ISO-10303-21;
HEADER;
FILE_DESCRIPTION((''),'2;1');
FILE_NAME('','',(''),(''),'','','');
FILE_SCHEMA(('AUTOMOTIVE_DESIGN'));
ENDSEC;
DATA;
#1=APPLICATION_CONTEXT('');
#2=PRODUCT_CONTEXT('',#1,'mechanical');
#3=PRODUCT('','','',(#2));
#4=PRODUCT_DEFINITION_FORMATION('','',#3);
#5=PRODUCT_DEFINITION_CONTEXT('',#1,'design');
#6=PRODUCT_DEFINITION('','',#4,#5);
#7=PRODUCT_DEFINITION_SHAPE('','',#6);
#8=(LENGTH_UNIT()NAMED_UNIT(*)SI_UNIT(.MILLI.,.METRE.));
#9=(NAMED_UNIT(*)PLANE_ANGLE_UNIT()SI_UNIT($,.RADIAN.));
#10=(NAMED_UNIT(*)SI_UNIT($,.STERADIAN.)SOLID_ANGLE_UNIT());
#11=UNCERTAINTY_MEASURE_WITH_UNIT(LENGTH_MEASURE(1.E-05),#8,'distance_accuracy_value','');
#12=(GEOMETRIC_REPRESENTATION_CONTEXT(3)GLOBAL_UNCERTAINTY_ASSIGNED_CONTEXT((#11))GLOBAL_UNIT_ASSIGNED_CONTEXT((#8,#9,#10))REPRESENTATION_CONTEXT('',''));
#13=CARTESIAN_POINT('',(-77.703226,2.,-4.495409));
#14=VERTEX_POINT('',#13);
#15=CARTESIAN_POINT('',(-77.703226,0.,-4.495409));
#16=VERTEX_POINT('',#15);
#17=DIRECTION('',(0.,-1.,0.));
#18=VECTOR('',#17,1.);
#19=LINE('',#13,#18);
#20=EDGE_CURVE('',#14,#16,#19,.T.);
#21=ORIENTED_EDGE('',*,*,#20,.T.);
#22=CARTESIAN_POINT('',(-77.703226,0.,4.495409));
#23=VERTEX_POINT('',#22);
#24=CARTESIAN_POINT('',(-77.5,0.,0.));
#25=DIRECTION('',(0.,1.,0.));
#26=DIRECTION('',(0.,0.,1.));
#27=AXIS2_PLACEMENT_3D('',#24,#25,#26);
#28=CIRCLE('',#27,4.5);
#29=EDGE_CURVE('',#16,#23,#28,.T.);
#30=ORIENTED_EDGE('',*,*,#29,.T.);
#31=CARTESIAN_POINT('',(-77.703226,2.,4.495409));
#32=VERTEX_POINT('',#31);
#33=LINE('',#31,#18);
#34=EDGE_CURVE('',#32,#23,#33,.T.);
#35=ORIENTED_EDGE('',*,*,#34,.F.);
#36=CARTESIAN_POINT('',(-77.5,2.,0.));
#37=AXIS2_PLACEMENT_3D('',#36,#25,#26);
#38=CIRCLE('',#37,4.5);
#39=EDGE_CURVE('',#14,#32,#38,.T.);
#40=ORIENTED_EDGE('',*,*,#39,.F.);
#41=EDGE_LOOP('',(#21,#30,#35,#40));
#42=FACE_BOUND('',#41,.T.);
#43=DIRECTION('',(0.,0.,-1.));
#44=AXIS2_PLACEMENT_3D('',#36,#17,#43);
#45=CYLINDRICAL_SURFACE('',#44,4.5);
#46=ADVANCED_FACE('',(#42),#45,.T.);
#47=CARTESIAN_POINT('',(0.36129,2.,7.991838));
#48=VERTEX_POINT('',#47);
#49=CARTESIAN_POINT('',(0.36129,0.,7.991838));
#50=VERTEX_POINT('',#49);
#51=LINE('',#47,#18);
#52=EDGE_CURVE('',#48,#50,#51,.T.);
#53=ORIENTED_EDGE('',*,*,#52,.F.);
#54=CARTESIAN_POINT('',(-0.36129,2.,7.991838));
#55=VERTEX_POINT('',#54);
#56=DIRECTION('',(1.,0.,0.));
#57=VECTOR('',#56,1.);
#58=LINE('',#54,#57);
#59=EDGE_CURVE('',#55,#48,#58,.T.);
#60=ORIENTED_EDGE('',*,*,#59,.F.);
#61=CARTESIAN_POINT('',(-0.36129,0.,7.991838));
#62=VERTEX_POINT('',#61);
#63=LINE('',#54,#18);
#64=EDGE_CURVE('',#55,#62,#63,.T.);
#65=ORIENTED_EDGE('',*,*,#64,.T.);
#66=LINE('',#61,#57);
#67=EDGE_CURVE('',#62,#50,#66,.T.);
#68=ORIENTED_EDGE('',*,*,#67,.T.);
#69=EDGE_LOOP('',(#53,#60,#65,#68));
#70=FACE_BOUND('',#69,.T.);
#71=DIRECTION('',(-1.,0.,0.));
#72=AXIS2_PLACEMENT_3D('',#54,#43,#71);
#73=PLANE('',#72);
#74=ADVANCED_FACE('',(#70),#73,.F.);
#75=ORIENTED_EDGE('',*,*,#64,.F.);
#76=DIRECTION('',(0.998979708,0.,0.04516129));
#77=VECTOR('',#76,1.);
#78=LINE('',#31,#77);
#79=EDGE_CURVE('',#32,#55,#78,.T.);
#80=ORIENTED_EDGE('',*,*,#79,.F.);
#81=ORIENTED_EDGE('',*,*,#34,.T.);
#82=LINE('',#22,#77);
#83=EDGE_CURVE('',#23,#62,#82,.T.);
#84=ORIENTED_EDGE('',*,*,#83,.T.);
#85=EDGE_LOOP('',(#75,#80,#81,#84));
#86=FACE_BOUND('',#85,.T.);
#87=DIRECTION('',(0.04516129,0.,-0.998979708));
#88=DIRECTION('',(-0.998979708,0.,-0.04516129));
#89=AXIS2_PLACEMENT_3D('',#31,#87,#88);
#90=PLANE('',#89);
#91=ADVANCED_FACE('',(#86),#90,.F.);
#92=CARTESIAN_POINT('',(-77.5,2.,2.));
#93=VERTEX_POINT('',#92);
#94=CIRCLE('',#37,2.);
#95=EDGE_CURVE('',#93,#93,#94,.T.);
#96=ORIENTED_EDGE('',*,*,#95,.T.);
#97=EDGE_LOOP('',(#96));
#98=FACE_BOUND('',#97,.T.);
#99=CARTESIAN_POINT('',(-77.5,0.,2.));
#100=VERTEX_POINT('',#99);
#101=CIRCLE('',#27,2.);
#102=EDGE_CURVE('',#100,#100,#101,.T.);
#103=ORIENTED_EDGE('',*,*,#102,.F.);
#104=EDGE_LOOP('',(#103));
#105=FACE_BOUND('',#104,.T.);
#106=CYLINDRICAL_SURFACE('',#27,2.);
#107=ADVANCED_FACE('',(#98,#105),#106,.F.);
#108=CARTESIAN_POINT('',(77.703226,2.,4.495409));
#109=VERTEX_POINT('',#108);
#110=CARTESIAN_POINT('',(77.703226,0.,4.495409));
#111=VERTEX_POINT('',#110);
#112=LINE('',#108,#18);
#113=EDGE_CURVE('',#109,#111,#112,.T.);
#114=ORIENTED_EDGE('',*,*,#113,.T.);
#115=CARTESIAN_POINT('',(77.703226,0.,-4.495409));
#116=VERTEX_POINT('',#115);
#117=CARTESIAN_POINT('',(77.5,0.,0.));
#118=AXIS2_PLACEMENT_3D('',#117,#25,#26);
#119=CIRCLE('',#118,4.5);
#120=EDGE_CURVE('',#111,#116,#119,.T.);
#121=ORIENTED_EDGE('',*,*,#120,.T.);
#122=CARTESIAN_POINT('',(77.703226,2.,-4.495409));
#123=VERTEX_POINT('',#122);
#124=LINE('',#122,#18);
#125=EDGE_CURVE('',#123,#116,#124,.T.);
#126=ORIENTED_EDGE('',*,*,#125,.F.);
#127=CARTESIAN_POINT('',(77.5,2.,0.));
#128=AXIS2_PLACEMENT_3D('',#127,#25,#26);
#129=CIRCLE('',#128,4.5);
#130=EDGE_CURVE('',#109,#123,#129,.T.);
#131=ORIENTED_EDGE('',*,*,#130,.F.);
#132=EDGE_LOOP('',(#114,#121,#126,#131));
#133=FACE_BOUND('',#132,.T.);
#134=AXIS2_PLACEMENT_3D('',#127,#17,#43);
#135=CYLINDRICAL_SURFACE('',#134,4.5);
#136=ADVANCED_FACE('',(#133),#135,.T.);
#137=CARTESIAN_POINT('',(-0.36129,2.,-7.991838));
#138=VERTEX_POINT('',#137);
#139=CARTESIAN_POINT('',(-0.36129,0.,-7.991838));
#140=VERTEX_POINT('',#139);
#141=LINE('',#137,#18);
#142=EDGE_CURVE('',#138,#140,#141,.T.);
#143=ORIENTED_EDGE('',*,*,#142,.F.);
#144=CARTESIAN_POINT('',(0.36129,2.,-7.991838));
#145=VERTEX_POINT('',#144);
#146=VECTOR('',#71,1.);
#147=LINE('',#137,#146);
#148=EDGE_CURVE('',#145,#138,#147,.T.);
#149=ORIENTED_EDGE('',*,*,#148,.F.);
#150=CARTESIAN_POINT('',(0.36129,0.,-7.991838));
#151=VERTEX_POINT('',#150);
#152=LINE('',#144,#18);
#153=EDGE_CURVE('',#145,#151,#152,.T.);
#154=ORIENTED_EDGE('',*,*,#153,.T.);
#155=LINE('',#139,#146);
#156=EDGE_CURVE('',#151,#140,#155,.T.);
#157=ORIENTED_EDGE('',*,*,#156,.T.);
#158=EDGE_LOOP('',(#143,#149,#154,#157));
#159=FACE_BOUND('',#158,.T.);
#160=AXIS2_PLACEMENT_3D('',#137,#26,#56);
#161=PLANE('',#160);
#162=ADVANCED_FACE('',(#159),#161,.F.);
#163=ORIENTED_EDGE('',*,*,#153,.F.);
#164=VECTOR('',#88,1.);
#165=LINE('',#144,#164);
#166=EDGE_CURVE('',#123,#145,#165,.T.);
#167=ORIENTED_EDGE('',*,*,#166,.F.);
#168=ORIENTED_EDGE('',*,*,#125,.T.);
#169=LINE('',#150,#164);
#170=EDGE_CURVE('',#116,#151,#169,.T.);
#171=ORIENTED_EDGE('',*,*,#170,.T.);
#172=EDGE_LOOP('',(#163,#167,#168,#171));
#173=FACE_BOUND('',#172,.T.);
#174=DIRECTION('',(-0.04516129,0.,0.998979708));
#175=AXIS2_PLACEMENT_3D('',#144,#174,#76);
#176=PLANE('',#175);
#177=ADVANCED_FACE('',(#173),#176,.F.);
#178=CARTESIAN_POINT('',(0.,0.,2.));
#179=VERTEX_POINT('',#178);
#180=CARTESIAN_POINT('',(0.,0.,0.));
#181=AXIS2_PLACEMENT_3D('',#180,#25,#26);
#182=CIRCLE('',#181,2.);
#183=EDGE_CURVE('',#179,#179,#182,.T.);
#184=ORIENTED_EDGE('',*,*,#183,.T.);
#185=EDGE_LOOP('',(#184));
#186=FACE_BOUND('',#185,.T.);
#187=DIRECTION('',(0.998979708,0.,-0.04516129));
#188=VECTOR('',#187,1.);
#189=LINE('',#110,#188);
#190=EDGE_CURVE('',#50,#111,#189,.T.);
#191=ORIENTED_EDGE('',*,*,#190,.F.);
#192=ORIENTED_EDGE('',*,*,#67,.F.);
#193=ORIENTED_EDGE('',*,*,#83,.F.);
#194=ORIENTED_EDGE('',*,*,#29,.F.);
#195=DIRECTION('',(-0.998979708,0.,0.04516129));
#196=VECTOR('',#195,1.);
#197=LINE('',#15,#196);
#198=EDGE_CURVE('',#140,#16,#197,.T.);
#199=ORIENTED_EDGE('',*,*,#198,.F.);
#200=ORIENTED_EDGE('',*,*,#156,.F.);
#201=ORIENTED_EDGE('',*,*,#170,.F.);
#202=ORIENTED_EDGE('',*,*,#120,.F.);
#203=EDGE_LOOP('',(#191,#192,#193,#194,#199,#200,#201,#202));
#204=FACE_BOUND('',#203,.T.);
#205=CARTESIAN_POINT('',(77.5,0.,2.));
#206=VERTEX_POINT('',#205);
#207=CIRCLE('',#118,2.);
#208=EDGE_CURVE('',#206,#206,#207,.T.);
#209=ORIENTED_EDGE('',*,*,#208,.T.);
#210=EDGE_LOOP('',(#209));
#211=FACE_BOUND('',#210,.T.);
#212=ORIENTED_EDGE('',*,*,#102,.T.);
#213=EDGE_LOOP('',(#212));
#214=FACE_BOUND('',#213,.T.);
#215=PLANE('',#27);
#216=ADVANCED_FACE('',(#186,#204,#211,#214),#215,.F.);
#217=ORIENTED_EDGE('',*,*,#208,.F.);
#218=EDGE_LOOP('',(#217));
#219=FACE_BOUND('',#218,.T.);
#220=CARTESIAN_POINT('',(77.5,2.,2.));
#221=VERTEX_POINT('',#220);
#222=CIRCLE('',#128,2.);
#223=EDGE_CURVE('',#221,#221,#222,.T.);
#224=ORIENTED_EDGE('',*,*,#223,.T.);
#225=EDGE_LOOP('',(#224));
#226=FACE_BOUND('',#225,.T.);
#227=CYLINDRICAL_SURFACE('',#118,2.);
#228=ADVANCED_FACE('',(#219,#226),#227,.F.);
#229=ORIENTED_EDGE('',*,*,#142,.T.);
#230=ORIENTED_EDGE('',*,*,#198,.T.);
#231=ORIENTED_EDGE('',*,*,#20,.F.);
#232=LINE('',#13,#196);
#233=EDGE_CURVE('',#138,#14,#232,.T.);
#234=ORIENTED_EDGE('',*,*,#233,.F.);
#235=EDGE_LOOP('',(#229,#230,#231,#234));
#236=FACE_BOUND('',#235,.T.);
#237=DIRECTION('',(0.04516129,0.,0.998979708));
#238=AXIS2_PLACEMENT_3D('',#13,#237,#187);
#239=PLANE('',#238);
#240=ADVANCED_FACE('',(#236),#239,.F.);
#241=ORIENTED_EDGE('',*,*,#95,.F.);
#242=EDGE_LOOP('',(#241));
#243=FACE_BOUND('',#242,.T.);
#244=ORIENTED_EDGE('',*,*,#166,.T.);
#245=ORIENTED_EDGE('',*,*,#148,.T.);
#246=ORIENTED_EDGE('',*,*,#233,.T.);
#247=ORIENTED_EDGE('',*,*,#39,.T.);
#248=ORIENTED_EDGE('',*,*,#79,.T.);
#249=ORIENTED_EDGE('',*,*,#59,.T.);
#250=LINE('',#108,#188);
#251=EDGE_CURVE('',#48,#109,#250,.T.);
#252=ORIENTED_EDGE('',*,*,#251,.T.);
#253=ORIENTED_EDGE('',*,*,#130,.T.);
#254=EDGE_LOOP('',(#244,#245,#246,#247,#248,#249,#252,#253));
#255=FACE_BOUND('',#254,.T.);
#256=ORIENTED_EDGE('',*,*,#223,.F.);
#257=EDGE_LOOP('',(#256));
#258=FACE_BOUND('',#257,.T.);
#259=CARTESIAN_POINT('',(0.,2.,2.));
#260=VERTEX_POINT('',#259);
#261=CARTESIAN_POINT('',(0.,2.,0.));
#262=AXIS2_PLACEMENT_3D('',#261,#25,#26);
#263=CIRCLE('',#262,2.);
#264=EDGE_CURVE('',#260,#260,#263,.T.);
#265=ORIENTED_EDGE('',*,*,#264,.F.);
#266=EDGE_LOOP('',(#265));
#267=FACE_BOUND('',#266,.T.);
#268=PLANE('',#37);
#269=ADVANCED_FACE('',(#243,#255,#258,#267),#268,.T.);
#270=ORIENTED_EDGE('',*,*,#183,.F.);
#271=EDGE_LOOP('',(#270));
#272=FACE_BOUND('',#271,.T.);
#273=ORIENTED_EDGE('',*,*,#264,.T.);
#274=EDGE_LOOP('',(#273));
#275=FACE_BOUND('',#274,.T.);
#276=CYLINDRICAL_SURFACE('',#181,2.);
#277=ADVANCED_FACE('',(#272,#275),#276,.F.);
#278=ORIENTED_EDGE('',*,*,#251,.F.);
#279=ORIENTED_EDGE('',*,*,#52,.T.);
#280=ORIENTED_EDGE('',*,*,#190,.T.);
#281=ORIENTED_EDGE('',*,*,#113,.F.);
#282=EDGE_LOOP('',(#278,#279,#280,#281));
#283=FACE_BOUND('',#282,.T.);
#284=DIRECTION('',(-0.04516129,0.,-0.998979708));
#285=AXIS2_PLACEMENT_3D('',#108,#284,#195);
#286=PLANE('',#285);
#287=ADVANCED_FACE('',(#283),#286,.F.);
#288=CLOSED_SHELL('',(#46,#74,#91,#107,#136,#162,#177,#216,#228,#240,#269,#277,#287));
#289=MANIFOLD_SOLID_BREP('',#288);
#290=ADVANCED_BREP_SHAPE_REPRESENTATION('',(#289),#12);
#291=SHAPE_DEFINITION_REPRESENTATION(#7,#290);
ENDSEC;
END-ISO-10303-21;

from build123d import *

# Parameters (mm, degrees)
EXTRUDE_448_DEPTH     = 2
SKETCH_2_R            = 2
CUT_EXTRUDE_659_DEPTH = 83.412799184
SKETCH_3_R            = 2
CUT_EXTRUDE_885_DEPTH = 83.412799184


with BuildPart() as part:
    # Эскиз1 → Extrude 448 (new body)
    with BuildSketch(Plane(origin=(0, 0, 0), x_dir=(1, 0, 0), z_dir=(0, 1, 0))):
        with BuildLine():
            Line((-77.703225806, 4.495408688), (-0.361290323, 7.991837667))
            Line((-0.361290323, 7.991837667), (0.361290323, 7.991837667))
            Line((0.361290323, 7.991837667), (77.703225806, 4.495408688))
            ThreePointArc((77.703225806, 4.495408688), (82, 0), (77.703225806, -4.495408688))
            Line((77.703225806, -4.495408688), (0.361290323, -7.991837667))
            Line((0.361290323, -7.991837667), (-0.361290323, -7.991837667))
            Line((-0.361290323, -7.991837667), (-77.703225806, -4.495408688))
            ThreePointArc((-77.703225806, -4.495408688), (-82, 0), (-77.703225806, 4.495408688))
        make_face()
    extrude(amount=EXTRUDE_448_DEPTH)

    # Эскиз2 → Cut-Extrude 659 (cut, through all)
    with BuildSketch(Plane(origin=(0, 2, 0), x_dir=(1, 0, 0), z_dir=(0, 1, 0))):
        with Locations(Location((0, 0, 0), (0, 0, 270))):
            Circle(SKETCH_2_R)
    extrude(amount=-CUT_EXTRUDE_659_DEPTH, mode=Mode.SUBTRACT)

    # Эскиз3 → Cut-Extrude 885 (cut, through all)
    with BuildSketch(Plane(origin=(0, 2, 0), x_dir=(1, 0, 0), z_dir=(0, 1, 0))):
        with Locations(Location((-77.5, 0, 0), (0, 0, 270))):
            Circle(SKETCH_3_R)
        with Locations(Location((77.5, 0, 0), (0, 0, 270))):
            Circle(SKETCH_3_R)
    extrude(amount=-CUT_EXTRUDE_885_DEPTH, mode=Mode.SUBTRACT)


solid = part.part
